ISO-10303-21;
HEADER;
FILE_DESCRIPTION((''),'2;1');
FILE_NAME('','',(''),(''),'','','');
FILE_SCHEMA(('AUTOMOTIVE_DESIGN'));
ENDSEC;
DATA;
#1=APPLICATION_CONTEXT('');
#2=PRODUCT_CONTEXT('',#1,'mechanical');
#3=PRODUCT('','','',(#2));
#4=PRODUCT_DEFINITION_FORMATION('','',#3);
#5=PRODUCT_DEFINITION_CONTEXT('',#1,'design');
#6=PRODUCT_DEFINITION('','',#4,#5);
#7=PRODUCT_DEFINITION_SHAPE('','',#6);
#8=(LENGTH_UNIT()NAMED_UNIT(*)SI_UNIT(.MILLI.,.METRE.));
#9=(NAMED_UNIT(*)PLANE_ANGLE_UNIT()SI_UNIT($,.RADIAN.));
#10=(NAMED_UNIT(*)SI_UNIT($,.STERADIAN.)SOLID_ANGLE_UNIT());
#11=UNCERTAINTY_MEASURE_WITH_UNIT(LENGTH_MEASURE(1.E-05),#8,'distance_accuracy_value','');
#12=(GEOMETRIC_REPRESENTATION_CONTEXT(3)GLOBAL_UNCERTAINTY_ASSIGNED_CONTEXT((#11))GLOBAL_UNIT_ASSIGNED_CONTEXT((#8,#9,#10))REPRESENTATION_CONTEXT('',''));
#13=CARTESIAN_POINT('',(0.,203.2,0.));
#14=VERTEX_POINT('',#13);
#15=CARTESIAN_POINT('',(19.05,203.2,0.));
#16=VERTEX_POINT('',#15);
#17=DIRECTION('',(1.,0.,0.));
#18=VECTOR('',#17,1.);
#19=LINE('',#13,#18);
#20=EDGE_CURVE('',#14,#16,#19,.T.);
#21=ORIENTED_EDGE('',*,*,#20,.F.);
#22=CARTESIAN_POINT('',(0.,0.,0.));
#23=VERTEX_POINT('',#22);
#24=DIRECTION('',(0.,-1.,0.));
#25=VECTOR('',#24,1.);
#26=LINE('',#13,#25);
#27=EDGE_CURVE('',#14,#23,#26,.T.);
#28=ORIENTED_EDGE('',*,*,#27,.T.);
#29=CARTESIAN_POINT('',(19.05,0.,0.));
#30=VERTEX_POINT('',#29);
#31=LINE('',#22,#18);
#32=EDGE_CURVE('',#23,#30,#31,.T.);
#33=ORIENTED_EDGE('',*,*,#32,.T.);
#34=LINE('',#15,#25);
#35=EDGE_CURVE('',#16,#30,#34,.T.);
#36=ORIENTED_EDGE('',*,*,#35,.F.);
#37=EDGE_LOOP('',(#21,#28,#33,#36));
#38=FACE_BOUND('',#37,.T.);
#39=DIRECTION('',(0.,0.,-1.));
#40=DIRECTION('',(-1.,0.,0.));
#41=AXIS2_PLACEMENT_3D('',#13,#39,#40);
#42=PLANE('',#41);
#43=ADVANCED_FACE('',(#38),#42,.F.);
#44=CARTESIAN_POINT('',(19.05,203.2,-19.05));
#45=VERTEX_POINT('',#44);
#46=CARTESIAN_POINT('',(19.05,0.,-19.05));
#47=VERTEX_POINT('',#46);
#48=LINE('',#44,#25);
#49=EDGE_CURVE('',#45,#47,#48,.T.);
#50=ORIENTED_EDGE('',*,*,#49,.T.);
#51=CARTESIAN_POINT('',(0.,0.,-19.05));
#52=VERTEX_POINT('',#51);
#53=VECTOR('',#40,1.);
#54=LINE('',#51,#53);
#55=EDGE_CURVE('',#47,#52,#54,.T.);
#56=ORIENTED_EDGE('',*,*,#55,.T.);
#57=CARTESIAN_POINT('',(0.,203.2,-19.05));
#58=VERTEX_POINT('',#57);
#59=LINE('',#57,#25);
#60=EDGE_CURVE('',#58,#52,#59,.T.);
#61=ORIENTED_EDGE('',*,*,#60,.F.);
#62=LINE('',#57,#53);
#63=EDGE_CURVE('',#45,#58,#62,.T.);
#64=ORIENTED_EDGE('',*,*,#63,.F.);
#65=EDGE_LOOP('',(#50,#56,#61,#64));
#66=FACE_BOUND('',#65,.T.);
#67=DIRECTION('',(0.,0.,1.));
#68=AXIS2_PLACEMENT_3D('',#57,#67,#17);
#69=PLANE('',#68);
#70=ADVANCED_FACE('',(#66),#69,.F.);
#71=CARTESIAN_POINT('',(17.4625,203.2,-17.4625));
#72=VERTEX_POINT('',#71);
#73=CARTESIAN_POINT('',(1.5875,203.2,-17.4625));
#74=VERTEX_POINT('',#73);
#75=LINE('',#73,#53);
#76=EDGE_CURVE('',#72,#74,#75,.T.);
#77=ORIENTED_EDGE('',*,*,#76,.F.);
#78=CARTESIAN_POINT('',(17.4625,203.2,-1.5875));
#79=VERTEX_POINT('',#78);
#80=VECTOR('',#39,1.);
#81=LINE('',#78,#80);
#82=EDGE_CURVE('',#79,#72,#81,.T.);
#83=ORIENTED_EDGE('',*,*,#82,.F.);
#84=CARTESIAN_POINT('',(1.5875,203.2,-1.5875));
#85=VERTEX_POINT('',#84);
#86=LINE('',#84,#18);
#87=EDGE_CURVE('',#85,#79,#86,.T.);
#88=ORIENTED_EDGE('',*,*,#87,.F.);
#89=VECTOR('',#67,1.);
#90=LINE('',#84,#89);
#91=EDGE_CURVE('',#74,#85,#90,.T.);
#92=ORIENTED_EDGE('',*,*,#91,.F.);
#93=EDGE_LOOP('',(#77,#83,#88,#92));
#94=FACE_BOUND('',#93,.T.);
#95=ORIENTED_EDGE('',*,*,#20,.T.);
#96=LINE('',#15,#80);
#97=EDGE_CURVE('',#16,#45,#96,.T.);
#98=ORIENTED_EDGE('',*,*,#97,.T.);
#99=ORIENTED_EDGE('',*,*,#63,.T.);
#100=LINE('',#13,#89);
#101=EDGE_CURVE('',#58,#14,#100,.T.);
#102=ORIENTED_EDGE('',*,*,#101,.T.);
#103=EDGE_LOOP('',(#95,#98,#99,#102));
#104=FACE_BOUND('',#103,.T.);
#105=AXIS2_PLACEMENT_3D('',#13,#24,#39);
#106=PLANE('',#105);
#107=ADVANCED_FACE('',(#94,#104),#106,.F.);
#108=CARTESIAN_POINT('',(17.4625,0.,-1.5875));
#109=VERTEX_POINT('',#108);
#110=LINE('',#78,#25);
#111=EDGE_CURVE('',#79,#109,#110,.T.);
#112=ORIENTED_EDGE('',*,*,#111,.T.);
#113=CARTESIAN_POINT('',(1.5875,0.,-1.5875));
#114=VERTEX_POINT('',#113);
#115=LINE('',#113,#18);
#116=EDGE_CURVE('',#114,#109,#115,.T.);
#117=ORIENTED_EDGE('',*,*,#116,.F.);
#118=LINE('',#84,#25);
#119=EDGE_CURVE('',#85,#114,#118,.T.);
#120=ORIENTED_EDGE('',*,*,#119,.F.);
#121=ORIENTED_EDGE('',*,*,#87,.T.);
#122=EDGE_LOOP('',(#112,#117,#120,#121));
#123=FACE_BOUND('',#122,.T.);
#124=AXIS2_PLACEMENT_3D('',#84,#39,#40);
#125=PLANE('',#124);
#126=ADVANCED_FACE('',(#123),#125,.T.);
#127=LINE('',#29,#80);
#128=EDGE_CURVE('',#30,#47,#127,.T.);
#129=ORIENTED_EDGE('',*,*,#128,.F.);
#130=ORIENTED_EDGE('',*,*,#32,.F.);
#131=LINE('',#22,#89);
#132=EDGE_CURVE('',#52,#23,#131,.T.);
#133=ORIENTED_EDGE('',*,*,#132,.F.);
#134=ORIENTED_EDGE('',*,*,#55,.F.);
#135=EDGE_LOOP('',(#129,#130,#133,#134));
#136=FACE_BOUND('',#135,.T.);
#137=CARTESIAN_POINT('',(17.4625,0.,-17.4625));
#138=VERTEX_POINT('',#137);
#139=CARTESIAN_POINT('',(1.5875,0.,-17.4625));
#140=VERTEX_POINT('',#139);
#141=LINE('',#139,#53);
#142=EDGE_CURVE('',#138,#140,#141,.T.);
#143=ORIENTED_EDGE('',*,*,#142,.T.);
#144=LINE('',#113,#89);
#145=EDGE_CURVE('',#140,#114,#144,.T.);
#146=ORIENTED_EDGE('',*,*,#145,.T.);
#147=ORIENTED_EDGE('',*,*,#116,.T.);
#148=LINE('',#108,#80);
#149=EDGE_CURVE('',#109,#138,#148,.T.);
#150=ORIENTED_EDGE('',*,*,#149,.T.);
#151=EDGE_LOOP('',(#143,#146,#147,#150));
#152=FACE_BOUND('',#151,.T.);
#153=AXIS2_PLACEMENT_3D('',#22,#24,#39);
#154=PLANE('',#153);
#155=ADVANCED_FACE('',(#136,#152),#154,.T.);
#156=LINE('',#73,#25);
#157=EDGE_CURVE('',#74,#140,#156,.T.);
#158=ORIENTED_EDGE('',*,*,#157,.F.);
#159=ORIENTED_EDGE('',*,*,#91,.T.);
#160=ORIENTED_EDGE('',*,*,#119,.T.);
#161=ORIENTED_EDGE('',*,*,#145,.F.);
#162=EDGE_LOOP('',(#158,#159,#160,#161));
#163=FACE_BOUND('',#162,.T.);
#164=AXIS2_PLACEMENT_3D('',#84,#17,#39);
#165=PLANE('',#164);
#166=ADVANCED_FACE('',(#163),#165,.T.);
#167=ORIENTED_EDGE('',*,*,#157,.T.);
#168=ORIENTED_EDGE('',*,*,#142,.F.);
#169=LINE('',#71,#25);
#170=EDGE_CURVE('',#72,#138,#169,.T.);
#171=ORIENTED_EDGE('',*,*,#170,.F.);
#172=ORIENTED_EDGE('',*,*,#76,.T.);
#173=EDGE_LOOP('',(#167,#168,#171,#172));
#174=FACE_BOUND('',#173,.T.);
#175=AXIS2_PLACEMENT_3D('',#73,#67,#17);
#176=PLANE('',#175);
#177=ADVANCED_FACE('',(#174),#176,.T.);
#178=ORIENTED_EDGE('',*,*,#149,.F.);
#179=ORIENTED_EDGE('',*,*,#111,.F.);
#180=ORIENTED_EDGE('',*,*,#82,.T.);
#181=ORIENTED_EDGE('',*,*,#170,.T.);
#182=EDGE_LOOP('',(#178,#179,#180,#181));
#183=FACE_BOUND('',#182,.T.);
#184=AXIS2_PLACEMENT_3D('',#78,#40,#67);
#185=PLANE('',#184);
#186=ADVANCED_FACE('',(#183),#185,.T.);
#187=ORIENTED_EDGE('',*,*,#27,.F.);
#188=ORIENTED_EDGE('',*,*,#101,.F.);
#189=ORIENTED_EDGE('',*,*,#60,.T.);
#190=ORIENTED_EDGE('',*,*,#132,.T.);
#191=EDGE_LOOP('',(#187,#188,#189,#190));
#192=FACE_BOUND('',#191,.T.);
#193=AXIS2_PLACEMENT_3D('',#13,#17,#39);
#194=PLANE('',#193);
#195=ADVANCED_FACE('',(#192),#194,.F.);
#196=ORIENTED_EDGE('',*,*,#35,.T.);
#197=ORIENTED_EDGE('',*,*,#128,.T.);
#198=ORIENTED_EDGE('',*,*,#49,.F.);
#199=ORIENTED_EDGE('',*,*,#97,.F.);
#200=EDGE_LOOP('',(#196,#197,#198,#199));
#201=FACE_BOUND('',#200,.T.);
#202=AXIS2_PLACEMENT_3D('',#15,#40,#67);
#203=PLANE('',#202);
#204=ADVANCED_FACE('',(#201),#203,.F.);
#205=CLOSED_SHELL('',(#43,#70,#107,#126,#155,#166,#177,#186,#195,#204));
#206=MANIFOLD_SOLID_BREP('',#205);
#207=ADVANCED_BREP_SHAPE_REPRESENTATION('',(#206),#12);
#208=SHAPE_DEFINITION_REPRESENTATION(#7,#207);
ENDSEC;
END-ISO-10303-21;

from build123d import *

# Parameters (mm, degrees)
SKETCH1_W           = 19.05
SKETCH1_H           = 19.05
SKETCH1_W_2         = 15.875
SKETCH1_H_2         = 15.875
BOSS_EXTRUDE1_DEPTH = 203.2


with BuildPart() as part:
    # Sketch1 → Boss-Extrude1 (new body)
    with BuildSketch(Plane(origin=(0, 0, 0), x_dir=(1, 0, 0), z_dir=(0, 1, 0))):
        with Locations((9.525, 9.525)):
            Rectangle(SKETCH1_W, SKETCH1_H)
        with Locations((9.525, 9.525)):
            Rectangle(SKETCH1_W_2, SKETCH1_H_2, mode=Mode.SUBTRACT)
    extrude(amount=BOSS_EXTRUDE1_DEPTH)


solid = part.part
